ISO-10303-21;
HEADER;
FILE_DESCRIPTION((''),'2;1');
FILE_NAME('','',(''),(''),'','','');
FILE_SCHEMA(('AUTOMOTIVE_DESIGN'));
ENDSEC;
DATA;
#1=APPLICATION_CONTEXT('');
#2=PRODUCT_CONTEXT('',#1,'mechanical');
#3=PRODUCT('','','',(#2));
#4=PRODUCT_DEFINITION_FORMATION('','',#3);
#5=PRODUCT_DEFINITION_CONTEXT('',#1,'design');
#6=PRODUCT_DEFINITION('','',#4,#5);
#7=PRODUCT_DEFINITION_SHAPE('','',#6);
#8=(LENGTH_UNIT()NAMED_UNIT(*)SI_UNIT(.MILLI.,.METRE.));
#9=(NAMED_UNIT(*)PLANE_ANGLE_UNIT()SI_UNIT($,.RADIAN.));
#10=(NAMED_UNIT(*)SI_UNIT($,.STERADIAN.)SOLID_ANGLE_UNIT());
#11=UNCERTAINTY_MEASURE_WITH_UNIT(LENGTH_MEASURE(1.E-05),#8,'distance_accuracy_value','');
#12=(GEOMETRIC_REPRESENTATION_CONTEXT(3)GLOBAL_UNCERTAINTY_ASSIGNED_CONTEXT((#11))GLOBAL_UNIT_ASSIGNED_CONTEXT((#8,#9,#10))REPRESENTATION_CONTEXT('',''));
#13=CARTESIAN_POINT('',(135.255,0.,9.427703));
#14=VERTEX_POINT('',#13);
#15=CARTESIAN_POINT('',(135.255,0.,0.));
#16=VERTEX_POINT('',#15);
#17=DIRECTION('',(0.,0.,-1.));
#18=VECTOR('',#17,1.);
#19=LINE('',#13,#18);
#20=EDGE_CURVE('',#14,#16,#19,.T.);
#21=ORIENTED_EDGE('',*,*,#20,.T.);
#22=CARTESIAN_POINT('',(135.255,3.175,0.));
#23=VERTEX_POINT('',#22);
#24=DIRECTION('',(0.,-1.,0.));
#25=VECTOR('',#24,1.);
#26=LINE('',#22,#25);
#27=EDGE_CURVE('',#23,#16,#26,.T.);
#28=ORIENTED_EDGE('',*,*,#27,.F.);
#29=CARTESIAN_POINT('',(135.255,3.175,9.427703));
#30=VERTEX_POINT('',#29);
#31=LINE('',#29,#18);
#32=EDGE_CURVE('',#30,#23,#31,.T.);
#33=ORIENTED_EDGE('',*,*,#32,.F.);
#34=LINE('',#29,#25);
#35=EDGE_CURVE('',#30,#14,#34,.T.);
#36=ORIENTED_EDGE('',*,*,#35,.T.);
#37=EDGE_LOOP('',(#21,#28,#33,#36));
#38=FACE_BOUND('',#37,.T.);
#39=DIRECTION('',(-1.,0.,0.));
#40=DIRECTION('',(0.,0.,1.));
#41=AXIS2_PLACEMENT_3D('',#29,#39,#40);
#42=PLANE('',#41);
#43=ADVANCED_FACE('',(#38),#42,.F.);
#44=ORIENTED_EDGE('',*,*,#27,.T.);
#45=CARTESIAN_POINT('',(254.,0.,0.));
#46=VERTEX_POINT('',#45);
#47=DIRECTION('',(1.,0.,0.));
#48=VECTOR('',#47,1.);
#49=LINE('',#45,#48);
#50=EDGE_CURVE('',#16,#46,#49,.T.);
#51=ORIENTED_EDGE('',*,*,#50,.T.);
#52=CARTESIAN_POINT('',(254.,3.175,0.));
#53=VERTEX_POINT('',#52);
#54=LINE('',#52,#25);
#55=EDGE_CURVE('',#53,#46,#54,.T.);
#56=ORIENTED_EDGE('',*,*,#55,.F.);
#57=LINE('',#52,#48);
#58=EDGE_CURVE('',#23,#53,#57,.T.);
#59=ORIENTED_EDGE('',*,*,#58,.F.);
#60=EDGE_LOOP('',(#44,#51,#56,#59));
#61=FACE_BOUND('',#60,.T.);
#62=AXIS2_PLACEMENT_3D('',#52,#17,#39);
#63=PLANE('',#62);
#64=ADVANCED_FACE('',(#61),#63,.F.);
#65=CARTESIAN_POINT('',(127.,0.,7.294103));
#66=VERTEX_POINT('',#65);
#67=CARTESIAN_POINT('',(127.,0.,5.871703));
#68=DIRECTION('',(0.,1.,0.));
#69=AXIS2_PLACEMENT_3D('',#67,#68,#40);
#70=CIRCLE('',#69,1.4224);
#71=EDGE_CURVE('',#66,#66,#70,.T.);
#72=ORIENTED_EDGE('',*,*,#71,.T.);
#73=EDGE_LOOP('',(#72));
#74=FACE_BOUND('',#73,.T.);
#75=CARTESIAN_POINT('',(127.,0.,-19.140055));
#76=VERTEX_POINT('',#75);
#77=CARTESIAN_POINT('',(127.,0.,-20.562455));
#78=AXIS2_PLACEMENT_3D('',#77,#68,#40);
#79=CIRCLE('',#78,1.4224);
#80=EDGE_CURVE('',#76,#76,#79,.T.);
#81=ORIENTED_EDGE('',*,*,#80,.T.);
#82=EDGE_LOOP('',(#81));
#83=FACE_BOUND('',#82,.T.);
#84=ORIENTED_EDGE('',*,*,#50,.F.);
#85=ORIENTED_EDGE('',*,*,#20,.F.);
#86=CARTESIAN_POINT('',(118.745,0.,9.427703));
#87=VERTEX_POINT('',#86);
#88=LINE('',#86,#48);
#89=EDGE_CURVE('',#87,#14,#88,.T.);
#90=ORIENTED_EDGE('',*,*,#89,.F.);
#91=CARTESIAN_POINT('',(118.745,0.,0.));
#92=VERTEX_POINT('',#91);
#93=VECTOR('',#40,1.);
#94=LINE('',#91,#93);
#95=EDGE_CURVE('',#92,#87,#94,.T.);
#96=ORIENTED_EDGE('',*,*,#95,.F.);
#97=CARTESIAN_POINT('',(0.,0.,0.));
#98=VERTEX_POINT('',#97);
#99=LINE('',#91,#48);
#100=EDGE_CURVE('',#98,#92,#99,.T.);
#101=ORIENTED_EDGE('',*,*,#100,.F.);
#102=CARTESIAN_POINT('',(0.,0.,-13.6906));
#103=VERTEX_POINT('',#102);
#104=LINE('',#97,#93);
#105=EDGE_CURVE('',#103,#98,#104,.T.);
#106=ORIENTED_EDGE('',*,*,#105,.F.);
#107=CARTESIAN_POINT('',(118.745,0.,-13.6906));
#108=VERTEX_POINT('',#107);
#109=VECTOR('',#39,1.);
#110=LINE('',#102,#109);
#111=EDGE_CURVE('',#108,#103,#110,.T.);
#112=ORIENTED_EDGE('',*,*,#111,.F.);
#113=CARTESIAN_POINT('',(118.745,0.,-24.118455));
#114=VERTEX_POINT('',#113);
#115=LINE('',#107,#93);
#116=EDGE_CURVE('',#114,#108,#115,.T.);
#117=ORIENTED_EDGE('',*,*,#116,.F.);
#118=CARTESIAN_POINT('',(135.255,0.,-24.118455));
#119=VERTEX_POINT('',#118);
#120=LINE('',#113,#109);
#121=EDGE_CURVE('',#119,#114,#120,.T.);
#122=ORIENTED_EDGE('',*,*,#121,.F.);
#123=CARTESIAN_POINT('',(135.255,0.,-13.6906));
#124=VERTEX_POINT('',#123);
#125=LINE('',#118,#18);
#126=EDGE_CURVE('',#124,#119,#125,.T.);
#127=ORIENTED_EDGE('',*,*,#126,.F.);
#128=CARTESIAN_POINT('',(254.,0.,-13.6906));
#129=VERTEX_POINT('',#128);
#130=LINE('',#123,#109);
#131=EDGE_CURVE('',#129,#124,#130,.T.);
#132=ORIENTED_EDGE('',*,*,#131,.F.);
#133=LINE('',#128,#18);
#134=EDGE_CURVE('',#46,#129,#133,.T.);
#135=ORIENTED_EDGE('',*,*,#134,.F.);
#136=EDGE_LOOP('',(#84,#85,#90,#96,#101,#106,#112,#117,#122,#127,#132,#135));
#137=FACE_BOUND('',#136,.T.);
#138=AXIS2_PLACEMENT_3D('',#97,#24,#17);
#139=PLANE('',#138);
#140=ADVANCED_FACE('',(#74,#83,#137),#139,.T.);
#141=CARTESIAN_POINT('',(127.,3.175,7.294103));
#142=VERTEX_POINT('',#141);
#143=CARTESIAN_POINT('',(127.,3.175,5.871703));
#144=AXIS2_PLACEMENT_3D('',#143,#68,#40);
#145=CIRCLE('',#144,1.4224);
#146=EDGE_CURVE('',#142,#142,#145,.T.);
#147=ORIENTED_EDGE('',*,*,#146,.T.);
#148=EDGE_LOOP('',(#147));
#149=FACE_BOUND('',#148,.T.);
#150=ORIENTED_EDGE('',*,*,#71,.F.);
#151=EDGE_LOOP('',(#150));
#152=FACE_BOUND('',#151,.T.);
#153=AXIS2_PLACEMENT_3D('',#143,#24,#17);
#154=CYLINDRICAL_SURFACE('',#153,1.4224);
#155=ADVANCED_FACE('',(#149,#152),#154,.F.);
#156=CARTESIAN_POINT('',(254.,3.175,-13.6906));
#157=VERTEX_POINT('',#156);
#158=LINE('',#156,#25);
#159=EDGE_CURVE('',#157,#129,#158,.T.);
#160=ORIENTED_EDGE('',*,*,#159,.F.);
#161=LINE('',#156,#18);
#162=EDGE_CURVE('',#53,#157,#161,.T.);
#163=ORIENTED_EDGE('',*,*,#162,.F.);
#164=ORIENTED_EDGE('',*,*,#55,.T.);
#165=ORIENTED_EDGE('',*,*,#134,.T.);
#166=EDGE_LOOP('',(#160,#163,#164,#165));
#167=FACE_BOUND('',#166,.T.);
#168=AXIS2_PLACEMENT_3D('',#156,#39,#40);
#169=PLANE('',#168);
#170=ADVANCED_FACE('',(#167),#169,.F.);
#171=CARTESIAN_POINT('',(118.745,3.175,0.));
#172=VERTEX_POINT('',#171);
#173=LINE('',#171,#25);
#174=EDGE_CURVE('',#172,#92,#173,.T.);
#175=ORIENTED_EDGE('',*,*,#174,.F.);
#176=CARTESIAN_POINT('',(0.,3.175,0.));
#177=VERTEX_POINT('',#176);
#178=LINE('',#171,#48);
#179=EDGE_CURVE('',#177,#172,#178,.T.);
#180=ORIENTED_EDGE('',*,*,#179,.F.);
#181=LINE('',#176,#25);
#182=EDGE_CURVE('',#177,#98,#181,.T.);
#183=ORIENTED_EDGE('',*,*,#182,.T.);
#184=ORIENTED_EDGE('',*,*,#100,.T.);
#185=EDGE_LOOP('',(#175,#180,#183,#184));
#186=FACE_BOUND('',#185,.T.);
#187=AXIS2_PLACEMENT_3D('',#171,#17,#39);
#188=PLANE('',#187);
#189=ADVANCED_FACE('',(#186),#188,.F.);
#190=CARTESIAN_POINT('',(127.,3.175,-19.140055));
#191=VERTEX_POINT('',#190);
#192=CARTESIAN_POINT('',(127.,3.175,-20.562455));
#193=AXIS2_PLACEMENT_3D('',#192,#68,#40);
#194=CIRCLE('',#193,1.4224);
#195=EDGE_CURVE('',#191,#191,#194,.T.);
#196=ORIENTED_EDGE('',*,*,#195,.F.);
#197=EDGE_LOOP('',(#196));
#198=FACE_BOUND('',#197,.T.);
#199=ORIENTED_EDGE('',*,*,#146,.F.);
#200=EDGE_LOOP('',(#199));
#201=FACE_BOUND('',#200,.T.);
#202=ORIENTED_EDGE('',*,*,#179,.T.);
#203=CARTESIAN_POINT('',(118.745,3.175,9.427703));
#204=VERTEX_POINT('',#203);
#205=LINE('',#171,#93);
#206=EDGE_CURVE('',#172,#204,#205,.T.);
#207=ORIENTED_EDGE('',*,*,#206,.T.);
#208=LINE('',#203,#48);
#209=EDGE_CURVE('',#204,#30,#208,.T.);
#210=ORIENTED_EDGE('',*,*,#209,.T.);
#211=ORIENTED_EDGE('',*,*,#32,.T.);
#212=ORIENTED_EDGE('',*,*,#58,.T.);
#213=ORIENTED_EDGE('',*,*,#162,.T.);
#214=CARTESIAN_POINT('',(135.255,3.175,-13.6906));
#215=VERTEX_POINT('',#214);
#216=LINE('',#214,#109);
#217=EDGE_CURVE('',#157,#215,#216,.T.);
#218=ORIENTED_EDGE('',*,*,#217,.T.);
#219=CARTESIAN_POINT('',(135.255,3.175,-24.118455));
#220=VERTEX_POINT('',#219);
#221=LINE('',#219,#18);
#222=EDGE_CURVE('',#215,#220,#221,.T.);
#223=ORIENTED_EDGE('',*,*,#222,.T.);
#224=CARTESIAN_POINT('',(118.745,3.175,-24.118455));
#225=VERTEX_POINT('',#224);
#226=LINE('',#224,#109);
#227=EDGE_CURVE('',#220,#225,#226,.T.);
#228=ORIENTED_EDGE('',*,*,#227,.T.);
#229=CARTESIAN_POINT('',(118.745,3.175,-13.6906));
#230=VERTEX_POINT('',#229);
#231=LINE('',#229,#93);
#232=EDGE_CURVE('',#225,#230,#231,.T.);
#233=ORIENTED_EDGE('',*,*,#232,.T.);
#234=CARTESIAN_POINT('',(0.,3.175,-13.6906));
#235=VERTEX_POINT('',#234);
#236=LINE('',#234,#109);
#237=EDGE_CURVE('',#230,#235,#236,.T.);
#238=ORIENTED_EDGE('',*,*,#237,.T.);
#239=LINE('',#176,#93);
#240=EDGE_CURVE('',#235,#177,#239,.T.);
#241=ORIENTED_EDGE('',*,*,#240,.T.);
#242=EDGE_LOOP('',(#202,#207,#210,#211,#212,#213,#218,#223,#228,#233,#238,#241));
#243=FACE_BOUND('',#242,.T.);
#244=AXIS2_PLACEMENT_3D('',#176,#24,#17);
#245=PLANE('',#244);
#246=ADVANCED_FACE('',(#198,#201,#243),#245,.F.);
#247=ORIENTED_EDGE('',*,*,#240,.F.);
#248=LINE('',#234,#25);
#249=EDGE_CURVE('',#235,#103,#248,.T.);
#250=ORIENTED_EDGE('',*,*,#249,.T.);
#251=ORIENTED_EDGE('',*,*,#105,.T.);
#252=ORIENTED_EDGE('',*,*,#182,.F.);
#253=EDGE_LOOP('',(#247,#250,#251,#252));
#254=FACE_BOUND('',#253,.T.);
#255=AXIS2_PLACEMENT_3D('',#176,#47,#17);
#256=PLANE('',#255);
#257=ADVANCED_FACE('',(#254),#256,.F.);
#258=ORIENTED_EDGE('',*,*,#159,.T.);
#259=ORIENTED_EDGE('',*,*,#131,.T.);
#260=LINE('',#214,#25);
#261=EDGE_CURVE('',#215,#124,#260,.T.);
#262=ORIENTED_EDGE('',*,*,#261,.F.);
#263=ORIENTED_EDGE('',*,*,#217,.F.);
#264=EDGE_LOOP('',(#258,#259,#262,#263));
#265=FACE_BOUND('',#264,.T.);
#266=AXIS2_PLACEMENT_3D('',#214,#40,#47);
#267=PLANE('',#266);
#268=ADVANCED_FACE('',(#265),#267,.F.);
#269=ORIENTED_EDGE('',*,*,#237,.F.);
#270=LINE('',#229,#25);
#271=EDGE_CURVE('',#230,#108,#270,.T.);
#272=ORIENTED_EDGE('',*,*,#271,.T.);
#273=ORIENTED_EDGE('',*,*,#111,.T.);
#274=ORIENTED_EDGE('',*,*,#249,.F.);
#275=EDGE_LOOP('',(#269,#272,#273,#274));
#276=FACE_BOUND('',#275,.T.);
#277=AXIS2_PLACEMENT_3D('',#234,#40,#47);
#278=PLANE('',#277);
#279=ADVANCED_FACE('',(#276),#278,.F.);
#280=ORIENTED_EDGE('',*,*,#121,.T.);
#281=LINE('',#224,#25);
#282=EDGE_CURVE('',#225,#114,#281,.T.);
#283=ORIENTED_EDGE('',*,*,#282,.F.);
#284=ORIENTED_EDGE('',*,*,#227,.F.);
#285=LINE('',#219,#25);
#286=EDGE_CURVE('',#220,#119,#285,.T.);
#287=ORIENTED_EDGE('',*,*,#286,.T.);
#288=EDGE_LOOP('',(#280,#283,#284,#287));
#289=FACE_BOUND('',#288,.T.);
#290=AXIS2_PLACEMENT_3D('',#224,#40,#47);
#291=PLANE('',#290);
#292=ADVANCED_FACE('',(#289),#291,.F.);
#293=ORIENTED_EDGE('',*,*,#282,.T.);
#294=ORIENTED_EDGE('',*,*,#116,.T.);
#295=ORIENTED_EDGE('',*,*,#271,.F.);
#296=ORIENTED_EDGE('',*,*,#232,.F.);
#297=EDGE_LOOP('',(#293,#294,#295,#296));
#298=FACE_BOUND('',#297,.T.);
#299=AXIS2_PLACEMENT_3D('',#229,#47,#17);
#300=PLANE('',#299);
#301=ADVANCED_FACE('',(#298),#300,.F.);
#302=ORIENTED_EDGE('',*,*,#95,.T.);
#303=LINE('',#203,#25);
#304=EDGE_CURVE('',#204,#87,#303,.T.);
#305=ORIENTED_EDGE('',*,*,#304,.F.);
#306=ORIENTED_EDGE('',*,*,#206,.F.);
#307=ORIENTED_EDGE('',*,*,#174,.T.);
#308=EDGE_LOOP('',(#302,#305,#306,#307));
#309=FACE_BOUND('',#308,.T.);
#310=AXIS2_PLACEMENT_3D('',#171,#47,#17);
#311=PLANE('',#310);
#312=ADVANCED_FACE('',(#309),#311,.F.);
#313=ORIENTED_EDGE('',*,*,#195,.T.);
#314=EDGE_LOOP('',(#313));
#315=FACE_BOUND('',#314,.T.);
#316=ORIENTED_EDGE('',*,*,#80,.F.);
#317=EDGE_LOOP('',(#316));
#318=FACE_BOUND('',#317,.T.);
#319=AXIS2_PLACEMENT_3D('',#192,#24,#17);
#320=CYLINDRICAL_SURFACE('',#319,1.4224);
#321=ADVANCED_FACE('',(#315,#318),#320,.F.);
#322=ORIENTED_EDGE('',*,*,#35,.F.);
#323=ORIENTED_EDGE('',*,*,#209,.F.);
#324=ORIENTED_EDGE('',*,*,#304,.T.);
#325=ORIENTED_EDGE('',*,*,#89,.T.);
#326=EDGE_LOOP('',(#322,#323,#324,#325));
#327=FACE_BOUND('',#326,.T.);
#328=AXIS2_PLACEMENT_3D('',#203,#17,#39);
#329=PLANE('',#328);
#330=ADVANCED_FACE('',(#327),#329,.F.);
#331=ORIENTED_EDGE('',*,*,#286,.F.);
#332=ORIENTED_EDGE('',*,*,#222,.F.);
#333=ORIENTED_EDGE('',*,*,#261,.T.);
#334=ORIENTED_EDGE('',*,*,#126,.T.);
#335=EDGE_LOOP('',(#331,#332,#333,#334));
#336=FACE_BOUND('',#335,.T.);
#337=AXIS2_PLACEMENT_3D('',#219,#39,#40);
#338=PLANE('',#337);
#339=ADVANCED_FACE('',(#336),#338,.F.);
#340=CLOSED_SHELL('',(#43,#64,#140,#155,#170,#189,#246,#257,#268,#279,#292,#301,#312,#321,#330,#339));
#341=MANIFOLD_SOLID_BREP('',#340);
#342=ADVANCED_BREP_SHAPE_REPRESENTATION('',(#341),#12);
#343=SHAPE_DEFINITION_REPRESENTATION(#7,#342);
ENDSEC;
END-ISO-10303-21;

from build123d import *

# Parameters (mm, degrees)
SKETCH1_R           = 1.4224
BOSS_EXTRUDE1_DEPTH = 3.175


with BuildPart() as part:
    # Sketch1 → Boss-Extrude1 (new body)
    with BuildSketch(Plane(origin=(0, 0, 0), x_dir=(1, 0, 0), z_dir=(0, 1, 0))):
        Polygon((0, 0), (0, 13.6906), (118.745, 13.6906), (118.745, 24.118454648), (135.255, 24.118454648), (135.255, 13.6906), (254, 13.6906), (254, 0), (135.255, 0), (135.255, -9.427702707), (118.745, -9.427702707), (118.745, 0), align=None)
        with Locations(Location((127, 20.562454648, 0), (0, 0, 270))):
            Circle(SKETCH1_R, mode=Mode.SUBTRACT)
        with Locations(Location((127, -5.871702707, 0), (0, 0, 270))):
            Circle(SKETCH1_R, mode=Mode.SUBTRACT)
    extrude(amount=BOSS_EXTRUDE1_DEPTH)


solid = part.part
